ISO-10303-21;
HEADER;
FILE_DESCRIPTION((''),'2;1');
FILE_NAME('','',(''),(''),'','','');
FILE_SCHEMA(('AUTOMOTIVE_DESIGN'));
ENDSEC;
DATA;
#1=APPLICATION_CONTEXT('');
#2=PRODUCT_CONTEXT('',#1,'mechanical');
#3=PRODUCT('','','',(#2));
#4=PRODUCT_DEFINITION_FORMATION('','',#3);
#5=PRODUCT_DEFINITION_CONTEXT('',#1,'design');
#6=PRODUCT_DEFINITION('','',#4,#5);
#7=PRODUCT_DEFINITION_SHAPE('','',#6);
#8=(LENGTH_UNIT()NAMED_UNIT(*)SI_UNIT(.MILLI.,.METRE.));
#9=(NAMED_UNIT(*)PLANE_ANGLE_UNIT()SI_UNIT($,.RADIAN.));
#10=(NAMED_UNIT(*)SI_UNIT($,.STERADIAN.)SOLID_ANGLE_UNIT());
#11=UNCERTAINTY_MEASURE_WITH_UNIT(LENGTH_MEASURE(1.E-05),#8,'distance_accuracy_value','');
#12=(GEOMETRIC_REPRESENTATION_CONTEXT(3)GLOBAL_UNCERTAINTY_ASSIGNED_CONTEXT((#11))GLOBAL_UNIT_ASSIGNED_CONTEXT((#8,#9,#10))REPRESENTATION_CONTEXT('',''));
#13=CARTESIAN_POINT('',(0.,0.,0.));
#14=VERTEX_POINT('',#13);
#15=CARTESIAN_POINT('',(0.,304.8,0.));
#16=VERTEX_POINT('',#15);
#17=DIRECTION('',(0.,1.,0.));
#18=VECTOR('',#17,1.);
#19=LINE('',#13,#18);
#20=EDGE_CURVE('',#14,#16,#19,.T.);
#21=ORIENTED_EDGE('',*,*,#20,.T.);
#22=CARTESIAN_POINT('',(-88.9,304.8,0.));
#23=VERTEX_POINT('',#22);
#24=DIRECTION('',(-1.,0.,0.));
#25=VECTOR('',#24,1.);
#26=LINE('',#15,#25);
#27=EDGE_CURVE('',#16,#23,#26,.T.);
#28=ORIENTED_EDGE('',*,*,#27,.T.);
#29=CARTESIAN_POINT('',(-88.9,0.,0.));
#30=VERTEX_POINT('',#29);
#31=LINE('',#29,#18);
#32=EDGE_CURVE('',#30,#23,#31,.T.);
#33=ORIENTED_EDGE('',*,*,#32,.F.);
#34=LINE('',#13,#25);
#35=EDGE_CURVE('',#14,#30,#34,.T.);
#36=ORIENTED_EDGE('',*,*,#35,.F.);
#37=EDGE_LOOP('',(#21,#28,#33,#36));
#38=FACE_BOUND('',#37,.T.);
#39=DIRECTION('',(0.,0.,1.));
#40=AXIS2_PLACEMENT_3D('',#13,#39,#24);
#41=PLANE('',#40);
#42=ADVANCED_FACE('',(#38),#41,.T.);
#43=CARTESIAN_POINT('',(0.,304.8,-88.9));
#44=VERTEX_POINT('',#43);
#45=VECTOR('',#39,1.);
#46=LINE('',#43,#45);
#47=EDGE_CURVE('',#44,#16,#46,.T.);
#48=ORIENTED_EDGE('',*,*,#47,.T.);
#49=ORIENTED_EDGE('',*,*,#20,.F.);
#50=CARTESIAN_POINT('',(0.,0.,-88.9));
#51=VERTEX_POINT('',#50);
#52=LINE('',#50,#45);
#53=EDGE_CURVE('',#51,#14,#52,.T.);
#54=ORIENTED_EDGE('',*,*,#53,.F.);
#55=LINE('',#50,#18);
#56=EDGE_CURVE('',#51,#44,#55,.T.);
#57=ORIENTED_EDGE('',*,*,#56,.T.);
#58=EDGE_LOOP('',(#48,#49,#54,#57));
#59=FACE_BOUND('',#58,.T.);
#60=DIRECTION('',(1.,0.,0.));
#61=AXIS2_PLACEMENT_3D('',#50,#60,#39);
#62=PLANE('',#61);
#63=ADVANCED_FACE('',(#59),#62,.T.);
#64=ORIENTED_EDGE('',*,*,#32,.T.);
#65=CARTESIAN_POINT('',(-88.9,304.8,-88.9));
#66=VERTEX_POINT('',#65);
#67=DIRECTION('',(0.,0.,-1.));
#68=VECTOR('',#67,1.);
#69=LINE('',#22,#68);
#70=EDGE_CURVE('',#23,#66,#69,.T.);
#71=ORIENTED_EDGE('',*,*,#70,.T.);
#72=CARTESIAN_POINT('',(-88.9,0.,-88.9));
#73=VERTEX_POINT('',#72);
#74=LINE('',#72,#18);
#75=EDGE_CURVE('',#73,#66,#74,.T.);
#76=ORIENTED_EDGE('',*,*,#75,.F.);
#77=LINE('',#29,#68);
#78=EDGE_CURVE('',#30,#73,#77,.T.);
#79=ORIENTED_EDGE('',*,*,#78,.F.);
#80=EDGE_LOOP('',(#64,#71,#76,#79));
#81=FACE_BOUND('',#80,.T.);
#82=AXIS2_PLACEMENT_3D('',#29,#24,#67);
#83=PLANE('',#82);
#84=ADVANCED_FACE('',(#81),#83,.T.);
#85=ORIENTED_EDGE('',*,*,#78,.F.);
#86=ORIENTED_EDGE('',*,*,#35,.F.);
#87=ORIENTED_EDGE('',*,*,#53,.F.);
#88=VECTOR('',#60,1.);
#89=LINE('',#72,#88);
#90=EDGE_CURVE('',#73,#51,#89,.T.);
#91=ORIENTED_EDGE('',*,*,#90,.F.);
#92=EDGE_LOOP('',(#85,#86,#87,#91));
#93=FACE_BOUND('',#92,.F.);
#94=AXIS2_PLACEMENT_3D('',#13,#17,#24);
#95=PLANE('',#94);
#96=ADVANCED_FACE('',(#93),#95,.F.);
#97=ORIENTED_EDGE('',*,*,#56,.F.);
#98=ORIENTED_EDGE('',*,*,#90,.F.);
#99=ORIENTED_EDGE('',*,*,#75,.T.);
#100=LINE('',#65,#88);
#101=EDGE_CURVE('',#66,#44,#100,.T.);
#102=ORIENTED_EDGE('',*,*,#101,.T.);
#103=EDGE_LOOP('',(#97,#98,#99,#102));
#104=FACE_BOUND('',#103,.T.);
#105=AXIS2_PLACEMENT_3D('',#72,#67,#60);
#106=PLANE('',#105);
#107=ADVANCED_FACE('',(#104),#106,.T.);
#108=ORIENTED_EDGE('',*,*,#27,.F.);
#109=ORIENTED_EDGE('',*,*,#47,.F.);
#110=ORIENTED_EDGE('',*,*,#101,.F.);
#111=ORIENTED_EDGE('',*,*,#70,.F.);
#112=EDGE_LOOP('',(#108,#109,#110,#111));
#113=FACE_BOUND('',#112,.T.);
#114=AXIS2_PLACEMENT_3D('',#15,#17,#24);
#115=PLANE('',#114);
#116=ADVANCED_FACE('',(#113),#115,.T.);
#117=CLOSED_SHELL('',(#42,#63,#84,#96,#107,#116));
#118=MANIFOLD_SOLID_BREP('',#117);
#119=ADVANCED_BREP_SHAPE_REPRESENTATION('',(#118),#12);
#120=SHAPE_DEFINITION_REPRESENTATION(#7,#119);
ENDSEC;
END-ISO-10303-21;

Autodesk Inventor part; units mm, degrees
ref_plane "YZ Plane" through (0, 0, 0) normal (1, 0, 0) x (0, 1, 0)
ref_plane "XZ Plane" through (0, 0, 0) normal (0, 1, 0) x (-1, 0, 0)
ref_plane "XY Plane" through (0, 0, 0) normal (0, 0, 1) x (1, 0, 0)
sketch "Sketch1" plane through (0, 0, 0) normal (0, 1, 0) x (-1, 0, 0)
  line L0 (0, 0) -> (88.9, 0)
  line L1 (88.9, 0) -> (88.9, -88.9)
  line L2 (88.9, -88.9) -> (0, -88.9)
  line L3 (0, -88.9) -> (0, 0)
  dimension "d0" = 88.9
  dimension "d1" = 88.9
extrude "Extrusion1" add sketch "Sketch1" along normal blind 304.8
properties part number "4ix4ix6i"
